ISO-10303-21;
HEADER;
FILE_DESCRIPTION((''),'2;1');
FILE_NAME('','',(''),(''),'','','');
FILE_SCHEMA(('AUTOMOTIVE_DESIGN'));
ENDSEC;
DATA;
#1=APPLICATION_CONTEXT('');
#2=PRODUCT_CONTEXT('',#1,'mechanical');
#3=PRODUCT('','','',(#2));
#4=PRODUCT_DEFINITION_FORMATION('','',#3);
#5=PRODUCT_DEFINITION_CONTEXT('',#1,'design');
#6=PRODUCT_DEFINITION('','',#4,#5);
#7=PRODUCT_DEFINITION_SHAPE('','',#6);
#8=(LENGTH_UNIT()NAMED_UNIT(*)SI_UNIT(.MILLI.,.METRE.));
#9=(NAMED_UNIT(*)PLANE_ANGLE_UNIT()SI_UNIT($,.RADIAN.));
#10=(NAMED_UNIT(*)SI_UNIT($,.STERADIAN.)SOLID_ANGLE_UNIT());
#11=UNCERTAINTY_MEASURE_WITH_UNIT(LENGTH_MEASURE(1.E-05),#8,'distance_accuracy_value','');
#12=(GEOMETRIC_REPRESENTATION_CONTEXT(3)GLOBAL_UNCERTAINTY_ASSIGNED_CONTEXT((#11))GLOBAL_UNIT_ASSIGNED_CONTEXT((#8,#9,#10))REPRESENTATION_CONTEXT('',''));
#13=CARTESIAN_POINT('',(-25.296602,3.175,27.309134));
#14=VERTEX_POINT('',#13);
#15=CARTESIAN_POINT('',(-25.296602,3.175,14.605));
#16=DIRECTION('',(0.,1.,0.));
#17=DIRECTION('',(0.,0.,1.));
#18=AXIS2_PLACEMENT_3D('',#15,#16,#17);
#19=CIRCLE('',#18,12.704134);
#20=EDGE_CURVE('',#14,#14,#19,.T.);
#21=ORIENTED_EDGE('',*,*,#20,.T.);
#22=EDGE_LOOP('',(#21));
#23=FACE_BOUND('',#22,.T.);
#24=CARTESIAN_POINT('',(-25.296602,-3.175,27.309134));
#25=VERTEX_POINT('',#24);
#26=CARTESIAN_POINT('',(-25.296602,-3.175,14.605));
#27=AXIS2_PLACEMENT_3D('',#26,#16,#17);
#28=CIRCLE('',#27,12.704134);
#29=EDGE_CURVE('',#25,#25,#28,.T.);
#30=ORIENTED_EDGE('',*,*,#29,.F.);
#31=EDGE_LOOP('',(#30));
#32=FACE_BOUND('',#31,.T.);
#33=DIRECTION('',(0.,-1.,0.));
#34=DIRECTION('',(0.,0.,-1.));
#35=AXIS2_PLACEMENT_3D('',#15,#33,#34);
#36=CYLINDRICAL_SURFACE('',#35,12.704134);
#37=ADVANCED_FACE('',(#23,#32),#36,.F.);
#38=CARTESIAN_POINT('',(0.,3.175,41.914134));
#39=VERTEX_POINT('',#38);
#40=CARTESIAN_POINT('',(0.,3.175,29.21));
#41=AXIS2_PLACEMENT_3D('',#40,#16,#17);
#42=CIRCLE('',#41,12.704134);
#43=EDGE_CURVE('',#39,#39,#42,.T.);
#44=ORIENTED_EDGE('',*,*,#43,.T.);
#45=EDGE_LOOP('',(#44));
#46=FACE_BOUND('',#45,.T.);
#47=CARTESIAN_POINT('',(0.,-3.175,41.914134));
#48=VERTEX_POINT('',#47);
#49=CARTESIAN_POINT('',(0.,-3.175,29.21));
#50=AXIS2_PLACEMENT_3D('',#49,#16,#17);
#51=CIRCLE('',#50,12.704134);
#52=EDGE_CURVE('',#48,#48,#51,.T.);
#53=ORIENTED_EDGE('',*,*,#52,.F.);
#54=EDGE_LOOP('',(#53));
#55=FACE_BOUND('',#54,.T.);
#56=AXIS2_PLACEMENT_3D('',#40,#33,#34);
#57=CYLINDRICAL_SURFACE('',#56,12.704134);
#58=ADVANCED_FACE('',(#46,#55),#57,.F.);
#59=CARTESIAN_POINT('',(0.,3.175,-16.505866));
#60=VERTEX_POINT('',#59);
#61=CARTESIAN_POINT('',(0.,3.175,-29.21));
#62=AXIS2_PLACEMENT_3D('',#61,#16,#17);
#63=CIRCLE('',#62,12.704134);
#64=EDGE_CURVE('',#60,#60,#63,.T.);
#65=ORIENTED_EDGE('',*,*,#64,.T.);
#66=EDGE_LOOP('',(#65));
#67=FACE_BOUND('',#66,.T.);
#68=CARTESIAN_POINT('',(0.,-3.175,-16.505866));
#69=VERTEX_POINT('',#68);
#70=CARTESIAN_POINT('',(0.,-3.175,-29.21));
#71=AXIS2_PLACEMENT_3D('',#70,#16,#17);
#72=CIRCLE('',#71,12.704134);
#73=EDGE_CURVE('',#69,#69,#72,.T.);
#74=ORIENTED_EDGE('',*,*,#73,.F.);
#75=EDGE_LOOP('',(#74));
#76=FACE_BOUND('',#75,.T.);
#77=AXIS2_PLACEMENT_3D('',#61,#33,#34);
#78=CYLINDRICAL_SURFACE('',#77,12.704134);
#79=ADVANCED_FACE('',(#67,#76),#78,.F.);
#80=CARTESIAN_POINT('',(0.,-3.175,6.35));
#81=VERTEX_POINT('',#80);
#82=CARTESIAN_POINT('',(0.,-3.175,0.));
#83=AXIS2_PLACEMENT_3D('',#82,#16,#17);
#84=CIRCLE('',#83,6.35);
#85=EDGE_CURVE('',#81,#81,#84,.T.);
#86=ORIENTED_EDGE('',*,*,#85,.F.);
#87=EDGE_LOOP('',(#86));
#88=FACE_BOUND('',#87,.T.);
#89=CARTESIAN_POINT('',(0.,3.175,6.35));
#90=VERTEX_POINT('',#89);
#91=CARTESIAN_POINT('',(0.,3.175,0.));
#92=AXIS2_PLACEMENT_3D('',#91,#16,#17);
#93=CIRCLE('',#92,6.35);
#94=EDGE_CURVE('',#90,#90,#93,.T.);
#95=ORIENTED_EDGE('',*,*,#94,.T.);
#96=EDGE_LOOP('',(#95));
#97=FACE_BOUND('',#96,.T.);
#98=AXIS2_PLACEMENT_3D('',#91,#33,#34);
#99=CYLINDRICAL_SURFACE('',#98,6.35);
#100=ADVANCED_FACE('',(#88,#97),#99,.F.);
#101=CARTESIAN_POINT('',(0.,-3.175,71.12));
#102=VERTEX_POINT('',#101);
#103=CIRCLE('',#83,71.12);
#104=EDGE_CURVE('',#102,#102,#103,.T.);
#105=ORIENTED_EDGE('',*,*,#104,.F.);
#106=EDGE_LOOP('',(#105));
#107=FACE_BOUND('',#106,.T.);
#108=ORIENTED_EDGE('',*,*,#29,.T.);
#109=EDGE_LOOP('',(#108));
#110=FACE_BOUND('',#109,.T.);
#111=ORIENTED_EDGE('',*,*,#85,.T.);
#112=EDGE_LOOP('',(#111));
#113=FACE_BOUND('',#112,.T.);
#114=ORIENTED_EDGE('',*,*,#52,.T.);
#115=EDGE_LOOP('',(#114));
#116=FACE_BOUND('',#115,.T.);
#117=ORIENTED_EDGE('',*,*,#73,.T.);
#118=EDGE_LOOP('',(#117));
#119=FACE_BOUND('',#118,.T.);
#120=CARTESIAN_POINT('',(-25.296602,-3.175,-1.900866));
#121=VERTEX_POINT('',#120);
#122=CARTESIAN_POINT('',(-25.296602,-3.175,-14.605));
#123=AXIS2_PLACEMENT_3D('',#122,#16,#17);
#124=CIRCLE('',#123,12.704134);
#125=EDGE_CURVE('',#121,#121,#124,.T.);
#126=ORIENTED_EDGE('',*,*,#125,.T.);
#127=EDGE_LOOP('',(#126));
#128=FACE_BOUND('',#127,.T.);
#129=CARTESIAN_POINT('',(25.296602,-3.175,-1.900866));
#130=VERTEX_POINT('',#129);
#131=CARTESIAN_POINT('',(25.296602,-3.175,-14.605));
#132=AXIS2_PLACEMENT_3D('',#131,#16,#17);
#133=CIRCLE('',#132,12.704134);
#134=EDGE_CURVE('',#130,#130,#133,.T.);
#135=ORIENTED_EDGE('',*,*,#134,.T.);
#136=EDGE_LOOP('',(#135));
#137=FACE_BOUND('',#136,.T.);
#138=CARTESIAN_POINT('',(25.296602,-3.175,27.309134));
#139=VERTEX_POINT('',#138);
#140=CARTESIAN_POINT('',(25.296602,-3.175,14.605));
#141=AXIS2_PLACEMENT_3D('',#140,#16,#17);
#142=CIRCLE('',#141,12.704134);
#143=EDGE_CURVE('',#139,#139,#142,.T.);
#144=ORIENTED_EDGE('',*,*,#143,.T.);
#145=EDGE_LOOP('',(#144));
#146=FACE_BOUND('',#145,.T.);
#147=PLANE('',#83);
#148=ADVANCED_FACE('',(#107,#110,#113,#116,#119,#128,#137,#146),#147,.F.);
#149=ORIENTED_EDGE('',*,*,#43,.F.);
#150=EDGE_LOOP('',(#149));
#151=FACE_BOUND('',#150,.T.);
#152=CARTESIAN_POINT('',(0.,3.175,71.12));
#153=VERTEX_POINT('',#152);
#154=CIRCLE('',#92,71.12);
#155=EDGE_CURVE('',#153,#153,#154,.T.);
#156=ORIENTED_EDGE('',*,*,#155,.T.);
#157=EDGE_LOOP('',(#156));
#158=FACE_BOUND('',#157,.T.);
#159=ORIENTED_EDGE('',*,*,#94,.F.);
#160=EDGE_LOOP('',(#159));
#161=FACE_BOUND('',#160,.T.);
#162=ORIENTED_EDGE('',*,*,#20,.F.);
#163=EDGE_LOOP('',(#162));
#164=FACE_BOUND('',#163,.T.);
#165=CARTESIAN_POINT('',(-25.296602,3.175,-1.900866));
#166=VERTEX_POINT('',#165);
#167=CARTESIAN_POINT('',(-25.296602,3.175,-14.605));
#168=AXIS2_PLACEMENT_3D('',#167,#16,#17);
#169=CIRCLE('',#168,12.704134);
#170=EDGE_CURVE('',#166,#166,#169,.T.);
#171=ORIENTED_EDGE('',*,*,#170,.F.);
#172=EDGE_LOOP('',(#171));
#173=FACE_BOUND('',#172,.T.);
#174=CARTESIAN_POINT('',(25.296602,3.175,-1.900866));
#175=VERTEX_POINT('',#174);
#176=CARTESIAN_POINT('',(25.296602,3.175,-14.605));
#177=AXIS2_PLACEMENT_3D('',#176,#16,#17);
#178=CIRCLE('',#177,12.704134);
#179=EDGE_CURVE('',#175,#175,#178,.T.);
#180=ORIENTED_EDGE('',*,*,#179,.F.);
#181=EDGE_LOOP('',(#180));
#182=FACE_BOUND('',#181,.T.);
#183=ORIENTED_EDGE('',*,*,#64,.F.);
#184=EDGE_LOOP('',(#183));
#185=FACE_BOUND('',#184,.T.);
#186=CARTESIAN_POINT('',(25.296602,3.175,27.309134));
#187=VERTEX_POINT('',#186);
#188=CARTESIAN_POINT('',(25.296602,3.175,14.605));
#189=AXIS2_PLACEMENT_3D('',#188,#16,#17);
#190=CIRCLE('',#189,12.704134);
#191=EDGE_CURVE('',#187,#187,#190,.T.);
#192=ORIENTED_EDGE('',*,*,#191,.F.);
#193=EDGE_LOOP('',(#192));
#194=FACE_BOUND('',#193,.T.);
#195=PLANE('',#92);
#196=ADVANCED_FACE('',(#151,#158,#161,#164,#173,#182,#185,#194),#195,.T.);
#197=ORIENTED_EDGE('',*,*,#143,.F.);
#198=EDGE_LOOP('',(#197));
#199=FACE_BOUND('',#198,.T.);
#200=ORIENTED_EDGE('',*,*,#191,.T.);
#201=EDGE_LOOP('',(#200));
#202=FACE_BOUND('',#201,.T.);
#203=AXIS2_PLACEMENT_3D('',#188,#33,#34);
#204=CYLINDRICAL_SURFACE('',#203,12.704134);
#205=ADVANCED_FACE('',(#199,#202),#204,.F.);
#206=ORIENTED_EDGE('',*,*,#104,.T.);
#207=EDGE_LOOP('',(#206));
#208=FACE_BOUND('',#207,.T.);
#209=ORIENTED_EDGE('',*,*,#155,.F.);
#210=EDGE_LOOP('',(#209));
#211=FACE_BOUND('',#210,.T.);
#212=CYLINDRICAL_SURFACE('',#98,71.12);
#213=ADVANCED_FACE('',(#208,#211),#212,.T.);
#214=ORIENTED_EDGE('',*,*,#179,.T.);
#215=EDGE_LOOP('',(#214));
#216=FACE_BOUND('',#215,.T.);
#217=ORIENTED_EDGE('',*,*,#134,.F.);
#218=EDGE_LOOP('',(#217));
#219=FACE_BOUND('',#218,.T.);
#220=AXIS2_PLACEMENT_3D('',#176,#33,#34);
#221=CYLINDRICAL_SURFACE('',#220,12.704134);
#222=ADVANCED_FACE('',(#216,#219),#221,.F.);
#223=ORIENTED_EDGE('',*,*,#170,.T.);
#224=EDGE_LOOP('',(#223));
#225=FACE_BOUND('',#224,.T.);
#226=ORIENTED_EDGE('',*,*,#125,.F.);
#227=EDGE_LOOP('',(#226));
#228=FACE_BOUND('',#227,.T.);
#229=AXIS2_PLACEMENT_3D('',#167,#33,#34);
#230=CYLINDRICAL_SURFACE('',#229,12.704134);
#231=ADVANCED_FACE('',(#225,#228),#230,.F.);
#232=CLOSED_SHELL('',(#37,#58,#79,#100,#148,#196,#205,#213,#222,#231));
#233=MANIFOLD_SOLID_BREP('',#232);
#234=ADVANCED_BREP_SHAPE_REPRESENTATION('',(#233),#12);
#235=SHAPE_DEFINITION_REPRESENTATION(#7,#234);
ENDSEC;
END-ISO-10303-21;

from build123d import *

# Parameters (mm, degrees)
SKETCH1_R           = 71.12
SKETCH1_R_2         = 12.704134002
SKETCH1_R_3         = 6.35
BOSS_EXTRUDE1_DEPTH = 3.175


with BuildPart() as part:
    # Sketch1 → Boss-Extrude1 (new body, symmetric)
    with BuildSketch(Plane(origin=(0, 0, 0), x_dir=(1, 0, 0), z_dir=(0, 1, 0))):
        Circle(SKETCH1_R)
        with Locations((-25.296602045, 14.605)):
            Circle(SKETCH1_R_2, mode=Mode.SUBTRACT)
        with Locations((-25.296602045, -14.605)):
            Circle(SKETCH1_R_2, mode=Mode.SUBTRACT)
        with Locations((0, -29.21)):
            Circle(SKETCH1_R_2, mode=Mode.SUBTRACT)
        with Locations((25.296602045, -14.605)):
            Circle(SKETCH1_R_2, mode=Mode.SUBTRACT)
        with Locations((25.296602045, 14.605)):
            Circle(SKETCH1_R_2, mode=Mode.SUBTRACT)
        with Locations((0, 29.21)):
            Circle(SKETCH1_R_2, mode=Mode.SUBTRACT)
        Circle(SKETCH1_R_3, mode=Mode.SUBTRACT)
    extrude(amount=BOSS_EXTRUDE1_DEPTH, both=True)


solid = part.part
